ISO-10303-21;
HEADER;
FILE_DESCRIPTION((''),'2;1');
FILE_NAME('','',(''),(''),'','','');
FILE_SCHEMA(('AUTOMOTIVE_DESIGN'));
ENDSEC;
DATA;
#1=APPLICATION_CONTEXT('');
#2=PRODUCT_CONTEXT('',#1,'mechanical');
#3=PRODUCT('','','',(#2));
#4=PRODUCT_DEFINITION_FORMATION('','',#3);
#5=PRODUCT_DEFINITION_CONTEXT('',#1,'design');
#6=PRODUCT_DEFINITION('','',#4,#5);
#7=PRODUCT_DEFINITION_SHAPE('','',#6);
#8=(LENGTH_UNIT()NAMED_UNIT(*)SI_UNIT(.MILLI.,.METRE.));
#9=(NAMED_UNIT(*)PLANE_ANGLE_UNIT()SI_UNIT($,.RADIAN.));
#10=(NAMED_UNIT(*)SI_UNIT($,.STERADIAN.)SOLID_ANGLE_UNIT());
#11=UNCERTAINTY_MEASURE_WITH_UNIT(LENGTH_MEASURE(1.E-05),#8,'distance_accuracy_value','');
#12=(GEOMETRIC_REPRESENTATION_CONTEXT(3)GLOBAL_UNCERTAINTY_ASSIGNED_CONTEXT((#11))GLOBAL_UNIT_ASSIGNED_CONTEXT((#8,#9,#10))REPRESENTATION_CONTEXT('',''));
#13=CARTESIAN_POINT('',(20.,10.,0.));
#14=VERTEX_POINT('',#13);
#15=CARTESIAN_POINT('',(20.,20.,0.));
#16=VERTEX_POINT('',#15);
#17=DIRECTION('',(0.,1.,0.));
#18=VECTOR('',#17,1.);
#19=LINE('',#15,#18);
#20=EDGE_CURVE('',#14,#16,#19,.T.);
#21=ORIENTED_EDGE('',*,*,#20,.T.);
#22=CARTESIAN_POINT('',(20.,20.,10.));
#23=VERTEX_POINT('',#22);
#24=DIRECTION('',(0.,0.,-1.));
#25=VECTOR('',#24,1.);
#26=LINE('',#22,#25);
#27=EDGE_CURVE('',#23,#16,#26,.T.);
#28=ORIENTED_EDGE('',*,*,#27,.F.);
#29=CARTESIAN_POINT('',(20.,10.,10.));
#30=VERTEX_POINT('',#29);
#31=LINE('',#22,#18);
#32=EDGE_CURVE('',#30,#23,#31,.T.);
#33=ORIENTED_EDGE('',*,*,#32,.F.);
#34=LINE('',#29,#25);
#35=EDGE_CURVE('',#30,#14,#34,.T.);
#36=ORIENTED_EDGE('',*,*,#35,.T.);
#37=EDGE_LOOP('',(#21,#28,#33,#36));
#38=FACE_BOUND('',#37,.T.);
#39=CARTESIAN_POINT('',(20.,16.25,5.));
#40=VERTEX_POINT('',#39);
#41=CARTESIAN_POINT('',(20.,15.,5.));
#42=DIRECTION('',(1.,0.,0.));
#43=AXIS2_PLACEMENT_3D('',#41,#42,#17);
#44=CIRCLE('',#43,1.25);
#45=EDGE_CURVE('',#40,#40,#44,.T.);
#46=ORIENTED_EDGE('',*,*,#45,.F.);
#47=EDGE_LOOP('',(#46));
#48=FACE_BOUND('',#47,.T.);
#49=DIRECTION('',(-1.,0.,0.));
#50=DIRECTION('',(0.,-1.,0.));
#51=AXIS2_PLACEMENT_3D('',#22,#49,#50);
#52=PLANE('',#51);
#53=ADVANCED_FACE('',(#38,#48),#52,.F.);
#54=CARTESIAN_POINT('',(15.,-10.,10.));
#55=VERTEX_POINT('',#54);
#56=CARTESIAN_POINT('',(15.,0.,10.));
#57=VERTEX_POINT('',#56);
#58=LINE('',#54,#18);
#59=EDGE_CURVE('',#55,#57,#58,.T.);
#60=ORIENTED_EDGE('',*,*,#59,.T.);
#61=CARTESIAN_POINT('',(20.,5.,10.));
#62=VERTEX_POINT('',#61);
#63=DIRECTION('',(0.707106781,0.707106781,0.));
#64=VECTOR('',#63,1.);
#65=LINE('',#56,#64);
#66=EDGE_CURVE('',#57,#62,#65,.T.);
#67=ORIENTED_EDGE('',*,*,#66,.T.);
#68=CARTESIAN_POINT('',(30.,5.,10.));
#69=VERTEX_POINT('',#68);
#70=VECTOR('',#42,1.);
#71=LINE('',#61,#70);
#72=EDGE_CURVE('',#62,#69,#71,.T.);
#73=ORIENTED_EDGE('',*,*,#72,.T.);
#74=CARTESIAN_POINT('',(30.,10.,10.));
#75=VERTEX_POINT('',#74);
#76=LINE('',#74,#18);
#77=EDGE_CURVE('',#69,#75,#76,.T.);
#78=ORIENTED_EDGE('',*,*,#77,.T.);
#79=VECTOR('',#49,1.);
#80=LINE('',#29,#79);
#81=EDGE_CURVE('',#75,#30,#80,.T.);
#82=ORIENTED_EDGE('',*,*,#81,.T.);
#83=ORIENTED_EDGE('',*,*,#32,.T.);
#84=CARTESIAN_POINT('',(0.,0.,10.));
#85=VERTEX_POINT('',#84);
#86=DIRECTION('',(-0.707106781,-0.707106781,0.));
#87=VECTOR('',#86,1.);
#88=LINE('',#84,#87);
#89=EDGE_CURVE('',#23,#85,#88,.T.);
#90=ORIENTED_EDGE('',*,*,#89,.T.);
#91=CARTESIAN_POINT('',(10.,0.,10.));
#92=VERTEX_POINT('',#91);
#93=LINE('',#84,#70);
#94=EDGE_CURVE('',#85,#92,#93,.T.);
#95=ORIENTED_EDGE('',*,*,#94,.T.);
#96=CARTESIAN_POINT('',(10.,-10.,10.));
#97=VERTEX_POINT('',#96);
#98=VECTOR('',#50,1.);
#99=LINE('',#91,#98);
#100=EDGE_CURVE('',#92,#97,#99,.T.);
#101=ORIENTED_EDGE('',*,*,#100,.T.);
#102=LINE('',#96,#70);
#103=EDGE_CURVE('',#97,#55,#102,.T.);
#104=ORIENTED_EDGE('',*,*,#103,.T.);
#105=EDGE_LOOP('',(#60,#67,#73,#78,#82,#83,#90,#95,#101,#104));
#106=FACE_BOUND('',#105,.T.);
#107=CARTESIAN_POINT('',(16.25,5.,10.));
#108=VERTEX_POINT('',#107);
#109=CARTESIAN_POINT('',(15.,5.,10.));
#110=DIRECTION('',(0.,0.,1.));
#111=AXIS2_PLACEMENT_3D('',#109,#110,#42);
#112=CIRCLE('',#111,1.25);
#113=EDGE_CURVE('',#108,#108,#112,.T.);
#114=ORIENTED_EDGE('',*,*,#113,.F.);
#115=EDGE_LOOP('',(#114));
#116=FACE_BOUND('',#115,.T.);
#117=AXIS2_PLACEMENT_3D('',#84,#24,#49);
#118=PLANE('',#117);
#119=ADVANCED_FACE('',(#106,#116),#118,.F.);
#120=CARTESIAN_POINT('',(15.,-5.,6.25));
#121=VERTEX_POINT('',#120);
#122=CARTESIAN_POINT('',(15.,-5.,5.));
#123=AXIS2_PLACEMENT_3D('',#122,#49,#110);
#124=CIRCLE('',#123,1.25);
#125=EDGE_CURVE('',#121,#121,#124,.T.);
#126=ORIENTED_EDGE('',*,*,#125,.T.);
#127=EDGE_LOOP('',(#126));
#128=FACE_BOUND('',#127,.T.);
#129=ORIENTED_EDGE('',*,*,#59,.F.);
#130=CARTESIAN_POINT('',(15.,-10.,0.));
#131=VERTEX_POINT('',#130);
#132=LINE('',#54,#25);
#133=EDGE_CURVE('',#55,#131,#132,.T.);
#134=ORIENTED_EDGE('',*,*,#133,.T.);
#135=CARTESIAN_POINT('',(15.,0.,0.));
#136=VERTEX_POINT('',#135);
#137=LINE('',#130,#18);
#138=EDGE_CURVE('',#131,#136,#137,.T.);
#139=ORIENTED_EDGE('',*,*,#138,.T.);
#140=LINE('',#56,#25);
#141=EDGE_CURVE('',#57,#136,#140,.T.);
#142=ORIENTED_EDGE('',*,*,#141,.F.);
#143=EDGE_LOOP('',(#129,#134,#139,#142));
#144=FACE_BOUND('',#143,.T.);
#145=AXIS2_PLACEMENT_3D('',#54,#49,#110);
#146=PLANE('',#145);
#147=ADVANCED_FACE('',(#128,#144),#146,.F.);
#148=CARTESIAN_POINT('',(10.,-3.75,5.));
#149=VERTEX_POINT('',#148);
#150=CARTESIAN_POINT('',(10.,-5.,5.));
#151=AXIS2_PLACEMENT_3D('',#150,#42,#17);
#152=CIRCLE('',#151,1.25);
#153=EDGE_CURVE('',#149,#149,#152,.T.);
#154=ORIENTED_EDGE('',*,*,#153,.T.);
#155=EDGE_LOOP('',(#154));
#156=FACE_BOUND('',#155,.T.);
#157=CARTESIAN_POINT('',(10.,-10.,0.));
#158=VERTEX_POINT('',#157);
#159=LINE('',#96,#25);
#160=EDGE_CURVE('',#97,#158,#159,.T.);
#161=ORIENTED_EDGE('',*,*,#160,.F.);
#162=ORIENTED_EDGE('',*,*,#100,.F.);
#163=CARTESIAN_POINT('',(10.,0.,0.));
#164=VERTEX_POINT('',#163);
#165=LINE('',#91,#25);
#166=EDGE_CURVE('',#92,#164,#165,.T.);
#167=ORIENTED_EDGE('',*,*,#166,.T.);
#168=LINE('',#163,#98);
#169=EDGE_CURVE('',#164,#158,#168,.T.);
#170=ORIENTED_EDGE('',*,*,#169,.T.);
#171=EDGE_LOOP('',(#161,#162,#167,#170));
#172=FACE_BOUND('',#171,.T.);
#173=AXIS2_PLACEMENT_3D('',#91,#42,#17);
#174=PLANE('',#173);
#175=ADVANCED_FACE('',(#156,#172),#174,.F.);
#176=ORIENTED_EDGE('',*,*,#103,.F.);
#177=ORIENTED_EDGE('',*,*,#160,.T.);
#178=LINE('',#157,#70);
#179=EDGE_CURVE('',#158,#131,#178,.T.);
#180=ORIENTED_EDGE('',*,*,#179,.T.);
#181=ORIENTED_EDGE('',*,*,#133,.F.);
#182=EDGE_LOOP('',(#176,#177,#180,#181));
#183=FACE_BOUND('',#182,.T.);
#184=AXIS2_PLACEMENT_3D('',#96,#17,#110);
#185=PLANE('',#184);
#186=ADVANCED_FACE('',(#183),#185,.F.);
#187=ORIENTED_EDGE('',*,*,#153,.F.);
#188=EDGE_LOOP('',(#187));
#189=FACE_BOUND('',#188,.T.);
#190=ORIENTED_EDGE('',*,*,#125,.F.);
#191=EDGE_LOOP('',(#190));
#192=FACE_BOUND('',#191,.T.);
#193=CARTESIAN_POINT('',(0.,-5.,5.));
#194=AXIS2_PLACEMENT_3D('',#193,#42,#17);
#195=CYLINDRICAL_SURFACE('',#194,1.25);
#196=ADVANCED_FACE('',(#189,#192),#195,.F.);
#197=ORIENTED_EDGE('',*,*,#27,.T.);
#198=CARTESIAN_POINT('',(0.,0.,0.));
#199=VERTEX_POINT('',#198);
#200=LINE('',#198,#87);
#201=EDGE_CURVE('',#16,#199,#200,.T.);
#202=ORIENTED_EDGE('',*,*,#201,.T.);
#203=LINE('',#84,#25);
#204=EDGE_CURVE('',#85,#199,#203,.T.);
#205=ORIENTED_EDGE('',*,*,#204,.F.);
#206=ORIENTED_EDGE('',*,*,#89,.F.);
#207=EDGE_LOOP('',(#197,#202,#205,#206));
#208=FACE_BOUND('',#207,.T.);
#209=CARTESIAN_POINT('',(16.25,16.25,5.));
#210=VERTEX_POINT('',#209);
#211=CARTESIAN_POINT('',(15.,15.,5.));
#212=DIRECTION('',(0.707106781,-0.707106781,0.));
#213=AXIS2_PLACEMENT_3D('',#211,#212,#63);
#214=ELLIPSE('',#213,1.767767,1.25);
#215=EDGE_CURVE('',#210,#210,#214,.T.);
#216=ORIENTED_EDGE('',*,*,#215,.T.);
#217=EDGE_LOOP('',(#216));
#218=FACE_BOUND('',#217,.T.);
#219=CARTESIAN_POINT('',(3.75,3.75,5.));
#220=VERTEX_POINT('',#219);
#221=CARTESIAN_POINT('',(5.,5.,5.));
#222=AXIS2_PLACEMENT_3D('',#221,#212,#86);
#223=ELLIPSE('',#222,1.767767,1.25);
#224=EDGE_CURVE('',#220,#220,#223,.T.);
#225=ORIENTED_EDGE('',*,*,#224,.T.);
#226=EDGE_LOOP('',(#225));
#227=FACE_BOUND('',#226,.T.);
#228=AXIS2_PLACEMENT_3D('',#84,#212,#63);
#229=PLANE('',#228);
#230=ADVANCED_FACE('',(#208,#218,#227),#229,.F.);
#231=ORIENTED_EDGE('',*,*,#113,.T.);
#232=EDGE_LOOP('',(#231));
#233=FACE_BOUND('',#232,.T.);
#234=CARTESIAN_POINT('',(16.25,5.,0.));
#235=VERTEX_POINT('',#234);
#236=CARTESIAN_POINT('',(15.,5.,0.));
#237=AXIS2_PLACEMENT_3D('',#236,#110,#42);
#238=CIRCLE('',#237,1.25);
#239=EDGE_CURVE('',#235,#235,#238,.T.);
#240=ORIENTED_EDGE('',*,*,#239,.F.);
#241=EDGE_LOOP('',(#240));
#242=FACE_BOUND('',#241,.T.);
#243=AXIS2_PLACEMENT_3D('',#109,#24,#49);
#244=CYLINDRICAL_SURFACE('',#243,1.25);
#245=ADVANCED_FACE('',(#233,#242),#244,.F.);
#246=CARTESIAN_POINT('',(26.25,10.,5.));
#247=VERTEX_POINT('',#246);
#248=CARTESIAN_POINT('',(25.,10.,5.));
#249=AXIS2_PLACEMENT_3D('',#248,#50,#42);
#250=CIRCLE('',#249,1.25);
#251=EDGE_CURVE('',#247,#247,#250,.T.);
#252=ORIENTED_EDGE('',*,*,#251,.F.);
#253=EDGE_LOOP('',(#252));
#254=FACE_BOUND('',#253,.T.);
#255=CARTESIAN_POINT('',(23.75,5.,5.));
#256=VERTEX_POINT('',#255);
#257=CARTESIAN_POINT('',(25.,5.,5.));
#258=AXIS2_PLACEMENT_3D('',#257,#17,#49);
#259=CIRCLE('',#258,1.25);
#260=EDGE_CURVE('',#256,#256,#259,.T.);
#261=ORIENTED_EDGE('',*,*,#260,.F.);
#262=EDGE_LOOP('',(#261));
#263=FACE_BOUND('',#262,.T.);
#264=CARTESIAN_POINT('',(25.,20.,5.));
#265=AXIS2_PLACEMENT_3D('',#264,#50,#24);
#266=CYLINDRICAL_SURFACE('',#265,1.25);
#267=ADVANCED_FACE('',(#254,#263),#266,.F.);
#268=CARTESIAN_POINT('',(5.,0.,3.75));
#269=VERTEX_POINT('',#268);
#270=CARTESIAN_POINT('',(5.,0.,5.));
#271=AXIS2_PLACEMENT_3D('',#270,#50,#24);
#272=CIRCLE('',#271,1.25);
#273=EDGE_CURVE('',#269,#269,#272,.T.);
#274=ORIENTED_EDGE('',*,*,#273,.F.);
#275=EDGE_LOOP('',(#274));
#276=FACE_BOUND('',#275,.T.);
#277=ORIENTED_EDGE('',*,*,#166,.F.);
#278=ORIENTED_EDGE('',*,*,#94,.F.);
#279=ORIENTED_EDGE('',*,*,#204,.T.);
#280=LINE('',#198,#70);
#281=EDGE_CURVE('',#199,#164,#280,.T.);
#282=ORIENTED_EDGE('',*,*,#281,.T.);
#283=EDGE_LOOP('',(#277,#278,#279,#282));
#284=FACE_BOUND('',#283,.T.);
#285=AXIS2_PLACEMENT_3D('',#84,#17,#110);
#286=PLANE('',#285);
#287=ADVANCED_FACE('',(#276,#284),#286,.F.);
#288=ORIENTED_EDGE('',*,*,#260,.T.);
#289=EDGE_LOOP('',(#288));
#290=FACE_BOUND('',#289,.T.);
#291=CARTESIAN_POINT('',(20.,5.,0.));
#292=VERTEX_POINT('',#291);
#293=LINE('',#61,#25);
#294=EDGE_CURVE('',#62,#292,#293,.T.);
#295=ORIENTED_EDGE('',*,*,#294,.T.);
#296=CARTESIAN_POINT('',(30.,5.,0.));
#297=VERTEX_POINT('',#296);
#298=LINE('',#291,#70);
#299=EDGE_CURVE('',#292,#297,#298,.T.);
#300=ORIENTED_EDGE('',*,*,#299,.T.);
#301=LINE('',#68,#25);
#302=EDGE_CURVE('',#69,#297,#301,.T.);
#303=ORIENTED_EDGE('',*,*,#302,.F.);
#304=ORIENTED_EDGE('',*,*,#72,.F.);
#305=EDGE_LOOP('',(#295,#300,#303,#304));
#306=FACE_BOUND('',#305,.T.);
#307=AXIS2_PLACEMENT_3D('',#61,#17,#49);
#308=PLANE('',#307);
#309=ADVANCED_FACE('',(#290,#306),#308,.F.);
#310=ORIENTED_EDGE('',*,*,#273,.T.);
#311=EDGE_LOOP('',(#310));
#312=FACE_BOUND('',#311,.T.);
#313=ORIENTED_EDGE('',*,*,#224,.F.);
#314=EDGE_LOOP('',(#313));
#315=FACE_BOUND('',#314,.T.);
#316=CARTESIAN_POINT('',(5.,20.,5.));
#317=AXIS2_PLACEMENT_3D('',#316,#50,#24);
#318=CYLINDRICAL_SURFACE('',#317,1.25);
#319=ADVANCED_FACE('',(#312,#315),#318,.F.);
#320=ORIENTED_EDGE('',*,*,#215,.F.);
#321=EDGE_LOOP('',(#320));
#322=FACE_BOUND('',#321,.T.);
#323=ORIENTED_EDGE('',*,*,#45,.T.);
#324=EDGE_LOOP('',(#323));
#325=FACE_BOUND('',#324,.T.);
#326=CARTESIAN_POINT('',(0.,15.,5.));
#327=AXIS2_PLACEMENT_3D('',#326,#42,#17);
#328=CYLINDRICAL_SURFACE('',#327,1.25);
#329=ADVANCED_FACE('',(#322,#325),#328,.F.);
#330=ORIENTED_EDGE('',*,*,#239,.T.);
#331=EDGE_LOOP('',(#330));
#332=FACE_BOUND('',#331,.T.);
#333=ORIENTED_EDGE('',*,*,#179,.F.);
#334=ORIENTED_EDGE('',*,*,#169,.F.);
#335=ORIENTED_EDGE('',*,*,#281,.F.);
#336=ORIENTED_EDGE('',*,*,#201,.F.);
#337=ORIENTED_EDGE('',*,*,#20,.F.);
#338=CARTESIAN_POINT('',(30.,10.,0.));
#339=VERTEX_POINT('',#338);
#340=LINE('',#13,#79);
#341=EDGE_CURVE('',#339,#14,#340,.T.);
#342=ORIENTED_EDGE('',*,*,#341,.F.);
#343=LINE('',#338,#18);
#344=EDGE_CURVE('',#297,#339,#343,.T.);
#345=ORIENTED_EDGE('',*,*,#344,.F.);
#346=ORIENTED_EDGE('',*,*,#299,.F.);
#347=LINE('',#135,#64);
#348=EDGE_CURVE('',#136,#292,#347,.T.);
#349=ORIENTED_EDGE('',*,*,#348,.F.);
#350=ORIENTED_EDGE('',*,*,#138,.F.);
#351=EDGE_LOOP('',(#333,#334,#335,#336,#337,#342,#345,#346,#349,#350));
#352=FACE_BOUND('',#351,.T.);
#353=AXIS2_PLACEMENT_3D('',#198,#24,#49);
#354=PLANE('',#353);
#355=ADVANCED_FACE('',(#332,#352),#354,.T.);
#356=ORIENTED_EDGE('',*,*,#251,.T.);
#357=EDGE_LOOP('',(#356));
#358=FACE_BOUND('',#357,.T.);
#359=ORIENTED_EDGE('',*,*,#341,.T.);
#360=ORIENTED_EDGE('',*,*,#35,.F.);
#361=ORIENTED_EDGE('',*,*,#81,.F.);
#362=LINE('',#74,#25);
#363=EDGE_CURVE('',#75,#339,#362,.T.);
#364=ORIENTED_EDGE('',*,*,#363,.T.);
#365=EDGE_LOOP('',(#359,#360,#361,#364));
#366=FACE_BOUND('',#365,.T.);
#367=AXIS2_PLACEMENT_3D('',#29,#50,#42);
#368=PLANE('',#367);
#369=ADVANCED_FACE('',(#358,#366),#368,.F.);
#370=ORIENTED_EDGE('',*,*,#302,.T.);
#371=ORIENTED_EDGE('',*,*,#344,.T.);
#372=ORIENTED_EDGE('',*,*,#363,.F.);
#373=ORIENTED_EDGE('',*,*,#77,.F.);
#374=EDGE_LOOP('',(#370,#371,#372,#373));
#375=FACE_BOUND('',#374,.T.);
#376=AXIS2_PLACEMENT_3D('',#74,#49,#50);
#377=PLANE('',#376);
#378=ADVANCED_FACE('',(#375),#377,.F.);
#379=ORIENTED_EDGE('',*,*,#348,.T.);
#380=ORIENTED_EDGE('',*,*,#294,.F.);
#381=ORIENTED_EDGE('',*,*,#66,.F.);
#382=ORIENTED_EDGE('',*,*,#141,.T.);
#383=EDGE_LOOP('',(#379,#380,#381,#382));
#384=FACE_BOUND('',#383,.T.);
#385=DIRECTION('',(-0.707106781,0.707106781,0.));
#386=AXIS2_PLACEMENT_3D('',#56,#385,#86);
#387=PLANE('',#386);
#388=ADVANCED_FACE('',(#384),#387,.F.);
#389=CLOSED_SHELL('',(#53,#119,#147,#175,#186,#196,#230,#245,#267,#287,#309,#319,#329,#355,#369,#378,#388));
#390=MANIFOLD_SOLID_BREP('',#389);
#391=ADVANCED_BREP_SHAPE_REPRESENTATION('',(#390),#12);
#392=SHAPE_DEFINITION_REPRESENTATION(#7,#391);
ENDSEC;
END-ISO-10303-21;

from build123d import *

# Parameters (mm, degrees)
SKETCH1_R          = 1.25
MAIN_DEPTH         = 10
SKETCH2_R          = 1.25
CUT_EXTRUDE1_DEPTH = 21
SKETCH3_R          = 1.25
CUT_EXTRUDE2_DEPTH = 21


with BuildPart() as part:
    # Sketch1 → Main (new body)
    with BuildSketch(Plane.XY):
        Polygon((0, 0), (20, 20), (20, 10), (30, 10), (30, 5), (20, 5), (15, 0), (15, -10), (10, -10), (10, 0), align=None)
        with Locations((15, 5)):
            Circle(SKETCH1_R, mode=Mode.SUBTRACT)
    extrude(amount=MAIN_DEPTH)

    # Sketch2 → Cut-Extrude1 (cut, through all)
    with BuildSketch(Plane(origin=(20, 0, 0), x_dir=(0, 0, -1), z_dir=(1, 0, 0))):
        with Locations((-5, -5)):
            Circle(SKETCH2_R)
        with Locations((-5, 15)):
            Circle(SKETCH2_R)
    extrude(amount=-CUT_EXTRUDE1_DEPTH, mode=Mode.SUBTRACT)

    # Sketch3 → Cut-Extrude2 (cut, through all)
    with BuildSketch(Plane(origin=(0, 0, 0), x_dir=(-1, 0, 0), z_dir=(0, -1, 0))):
        with Locations((-5, -5)):
            Circle(SKETCH3_R)
        with Locations((-25, -5)):
            Circle(SKETCH3_R)
    extrude(amount=-CUT_EXTRUDE2_DEPTH, mode=Mode.SUBTRACT)


solid = part.part
